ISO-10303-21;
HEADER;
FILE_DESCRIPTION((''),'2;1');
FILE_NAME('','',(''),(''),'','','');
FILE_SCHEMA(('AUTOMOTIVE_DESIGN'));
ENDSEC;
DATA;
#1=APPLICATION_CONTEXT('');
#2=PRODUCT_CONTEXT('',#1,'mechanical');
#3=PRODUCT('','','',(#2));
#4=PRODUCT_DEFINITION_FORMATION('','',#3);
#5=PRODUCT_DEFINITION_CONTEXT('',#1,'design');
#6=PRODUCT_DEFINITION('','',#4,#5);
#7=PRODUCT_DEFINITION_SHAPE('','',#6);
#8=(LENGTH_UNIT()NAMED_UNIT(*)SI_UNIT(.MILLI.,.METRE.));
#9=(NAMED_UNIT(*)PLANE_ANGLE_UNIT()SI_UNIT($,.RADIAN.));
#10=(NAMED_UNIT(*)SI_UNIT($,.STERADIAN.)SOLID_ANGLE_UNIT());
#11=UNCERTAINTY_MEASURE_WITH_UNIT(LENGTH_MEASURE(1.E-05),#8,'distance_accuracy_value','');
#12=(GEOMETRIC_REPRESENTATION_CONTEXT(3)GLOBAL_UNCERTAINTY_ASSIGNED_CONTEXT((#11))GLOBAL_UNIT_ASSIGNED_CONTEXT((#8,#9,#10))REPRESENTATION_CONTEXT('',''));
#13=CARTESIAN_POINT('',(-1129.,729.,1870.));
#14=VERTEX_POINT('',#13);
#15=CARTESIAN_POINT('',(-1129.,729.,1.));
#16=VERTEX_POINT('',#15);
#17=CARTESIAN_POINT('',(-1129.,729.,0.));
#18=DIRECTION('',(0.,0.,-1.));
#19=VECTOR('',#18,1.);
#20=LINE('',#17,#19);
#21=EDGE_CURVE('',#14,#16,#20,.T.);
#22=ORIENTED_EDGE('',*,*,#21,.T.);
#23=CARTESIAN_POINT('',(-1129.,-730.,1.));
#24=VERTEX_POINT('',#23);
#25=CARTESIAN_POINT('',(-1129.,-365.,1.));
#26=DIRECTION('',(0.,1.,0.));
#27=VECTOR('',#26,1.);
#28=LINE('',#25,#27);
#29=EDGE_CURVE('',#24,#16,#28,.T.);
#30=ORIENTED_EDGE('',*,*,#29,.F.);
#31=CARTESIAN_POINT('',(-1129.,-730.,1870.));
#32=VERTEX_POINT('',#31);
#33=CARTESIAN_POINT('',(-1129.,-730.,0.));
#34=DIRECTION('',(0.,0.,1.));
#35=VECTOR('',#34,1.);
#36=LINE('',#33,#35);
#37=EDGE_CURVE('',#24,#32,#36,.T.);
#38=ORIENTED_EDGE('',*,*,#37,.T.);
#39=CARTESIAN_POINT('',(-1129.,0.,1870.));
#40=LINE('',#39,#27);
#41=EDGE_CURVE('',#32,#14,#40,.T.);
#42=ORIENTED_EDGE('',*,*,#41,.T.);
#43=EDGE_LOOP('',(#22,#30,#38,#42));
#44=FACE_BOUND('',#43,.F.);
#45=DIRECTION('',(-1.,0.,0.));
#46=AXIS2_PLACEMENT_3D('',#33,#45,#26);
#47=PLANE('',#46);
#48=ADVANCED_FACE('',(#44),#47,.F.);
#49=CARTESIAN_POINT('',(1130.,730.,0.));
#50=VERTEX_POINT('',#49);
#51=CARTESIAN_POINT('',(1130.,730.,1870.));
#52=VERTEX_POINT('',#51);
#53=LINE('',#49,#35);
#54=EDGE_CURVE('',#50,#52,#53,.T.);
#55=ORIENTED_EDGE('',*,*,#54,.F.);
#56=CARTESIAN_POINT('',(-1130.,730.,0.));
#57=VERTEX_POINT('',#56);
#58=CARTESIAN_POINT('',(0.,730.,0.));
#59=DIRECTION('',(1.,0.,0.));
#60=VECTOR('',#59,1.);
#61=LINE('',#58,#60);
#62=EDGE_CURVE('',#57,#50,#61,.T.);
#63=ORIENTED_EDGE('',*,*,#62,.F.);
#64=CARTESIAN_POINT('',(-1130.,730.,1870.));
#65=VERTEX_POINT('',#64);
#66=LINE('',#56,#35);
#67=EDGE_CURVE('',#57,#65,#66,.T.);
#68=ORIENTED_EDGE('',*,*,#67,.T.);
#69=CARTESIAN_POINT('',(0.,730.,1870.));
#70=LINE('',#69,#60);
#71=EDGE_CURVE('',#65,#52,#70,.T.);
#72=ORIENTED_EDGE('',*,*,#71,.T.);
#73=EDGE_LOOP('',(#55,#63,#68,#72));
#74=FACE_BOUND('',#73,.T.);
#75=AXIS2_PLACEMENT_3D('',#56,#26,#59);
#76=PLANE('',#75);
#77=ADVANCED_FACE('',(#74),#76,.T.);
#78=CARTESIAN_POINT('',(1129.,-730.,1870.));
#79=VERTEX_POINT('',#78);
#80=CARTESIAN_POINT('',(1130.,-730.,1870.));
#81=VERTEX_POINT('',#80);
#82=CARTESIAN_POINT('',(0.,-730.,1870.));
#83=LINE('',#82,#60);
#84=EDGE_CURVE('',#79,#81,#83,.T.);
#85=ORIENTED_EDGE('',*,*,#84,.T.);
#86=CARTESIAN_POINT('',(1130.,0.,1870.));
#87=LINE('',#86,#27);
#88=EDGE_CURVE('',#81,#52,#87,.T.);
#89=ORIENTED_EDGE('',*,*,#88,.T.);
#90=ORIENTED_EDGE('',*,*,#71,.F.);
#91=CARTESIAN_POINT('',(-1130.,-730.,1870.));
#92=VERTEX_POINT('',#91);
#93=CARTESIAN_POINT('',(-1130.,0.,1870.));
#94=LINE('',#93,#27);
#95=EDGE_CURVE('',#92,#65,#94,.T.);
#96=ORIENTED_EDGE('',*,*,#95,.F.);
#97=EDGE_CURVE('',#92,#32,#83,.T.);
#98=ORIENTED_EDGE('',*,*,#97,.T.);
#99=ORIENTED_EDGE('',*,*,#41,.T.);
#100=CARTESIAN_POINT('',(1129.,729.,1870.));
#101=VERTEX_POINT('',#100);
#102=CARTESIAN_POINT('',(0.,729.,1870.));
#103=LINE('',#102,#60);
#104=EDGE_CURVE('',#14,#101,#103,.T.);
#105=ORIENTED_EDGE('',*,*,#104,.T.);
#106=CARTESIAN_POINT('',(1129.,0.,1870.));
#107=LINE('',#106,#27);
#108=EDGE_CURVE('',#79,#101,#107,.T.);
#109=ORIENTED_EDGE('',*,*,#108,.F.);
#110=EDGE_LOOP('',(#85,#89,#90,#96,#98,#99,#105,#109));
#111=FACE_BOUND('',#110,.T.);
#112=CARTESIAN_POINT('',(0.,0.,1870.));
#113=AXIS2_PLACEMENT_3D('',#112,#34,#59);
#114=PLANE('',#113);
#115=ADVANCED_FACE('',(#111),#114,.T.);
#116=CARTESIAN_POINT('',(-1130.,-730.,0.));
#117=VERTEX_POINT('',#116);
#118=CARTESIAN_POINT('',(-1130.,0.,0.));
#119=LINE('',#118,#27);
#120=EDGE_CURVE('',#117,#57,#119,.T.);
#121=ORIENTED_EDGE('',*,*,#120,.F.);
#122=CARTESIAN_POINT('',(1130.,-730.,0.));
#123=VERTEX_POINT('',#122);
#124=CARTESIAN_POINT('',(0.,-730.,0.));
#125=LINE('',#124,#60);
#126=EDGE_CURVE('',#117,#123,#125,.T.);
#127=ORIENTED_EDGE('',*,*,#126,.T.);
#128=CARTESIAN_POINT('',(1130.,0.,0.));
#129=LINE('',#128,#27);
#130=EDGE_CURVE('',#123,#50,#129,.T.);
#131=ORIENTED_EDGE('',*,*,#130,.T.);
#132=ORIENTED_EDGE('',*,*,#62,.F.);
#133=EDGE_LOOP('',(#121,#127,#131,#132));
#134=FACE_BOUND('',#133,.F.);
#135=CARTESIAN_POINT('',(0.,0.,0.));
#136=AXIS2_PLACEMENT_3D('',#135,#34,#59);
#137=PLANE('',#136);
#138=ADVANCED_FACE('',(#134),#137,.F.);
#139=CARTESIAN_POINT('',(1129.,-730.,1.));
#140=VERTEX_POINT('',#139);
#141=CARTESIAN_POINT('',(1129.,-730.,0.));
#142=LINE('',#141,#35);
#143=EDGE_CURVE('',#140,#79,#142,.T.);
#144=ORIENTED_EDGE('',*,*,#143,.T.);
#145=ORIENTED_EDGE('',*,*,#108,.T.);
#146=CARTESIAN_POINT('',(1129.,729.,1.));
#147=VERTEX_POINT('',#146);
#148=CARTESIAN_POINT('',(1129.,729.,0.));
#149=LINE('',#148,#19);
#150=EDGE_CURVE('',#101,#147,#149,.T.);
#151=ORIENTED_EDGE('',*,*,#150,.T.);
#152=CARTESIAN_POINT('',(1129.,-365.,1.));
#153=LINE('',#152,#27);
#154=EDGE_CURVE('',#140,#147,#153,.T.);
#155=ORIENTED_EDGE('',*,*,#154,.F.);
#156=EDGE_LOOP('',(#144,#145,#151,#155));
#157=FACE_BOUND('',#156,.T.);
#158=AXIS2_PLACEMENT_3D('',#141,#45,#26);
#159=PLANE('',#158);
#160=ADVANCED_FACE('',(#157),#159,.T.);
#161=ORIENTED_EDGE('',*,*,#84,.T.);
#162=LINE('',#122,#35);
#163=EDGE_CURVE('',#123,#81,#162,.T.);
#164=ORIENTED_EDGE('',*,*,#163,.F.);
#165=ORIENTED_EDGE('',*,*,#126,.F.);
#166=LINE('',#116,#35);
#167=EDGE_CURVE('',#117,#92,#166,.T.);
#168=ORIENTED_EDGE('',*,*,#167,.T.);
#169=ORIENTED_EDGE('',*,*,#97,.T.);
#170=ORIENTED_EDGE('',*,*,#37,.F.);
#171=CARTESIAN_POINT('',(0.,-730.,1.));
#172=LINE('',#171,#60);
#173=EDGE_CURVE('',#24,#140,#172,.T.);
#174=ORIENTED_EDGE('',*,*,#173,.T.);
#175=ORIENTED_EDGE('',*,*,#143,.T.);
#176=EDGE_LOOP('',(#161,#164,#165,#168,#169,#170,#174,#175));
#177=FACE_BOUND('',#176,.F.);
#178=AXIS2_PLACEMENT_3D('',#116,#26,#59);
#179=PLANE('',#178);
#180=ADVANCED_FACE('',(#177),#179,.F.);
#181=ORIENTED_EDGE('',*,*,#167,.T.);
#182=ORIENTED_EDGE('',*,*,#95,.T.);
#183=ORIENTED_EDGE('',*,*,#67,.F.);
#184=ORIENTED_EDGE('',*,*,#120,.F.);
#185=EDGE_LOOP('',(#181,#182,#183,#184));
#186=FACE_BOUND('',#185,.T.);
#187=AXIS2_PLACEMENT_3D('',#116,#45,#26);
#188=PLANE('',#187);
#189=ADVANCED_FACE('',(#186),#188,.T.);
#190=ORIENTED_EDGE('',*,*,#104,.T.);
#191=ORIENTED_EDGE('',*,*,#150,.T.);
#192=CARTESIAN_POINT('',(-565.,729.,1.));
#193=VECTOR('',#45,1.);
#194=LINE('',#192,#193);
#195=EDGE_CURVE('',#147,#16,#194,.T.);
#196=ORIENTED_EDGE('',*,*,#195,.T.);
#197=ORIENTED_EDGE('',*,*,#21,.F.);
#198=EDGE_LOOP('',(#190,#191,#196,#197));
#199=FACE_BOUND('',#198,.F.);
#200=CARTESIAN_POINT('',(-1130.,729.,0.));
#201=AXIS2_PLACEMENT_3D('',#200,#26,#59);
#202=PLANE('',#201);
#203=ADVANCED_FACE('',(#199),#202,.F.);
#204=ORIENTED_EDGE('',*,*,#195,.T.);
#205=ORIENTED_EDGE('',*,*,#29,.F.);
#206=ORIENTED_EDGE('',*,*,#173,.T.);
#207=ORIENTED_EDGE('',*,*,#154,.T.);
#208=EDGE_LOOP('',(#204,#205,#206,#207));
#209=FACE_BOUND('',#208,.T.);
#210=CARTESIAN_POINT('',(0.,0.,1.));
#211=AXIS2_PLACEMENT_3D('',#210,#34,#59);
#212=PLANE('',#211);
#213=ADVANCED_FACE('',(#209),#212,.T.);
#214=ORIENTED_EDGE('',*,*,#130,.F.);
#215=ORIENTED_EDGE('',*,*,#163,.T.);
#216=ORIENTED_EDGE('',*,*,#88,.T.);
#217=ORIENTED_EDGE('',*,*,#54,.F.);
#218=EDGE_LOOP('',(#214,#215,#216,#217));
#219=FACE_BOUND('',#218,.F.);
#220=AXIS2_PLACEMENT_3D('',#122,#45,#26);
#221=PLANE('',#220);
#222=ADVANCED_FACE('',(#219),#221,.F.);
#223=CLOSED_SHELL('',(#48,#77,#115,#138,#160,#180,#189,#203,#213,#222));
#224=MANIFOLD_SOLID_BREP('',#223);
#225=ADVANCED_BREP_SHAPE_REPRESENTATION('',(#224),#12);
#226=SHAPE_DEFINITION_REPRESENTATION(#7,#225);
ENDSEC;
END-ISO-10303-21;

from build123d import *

# Parameters (mm, degrees)
F0_W     = 2260
F0_H     = 1460
F1_DEPTH = 1870
F2_T     = -1


with BuildPart() as f1:
    # F0 (on Top) → F1 (new body)
    with BuildSketch(Plane.XY):
        Rectangle(F0_W, F0_H)
    extrude(amount=F1_DEPTH)

    # F2
    f2_openings = [f1.faces().sort_by_distance(p)[0] for p in [
        (0, 0, 1870),
        (0, -730, 935),
    ]]
    offset(amount=F2_T, openings=f2_openings)


solid = f1.part
